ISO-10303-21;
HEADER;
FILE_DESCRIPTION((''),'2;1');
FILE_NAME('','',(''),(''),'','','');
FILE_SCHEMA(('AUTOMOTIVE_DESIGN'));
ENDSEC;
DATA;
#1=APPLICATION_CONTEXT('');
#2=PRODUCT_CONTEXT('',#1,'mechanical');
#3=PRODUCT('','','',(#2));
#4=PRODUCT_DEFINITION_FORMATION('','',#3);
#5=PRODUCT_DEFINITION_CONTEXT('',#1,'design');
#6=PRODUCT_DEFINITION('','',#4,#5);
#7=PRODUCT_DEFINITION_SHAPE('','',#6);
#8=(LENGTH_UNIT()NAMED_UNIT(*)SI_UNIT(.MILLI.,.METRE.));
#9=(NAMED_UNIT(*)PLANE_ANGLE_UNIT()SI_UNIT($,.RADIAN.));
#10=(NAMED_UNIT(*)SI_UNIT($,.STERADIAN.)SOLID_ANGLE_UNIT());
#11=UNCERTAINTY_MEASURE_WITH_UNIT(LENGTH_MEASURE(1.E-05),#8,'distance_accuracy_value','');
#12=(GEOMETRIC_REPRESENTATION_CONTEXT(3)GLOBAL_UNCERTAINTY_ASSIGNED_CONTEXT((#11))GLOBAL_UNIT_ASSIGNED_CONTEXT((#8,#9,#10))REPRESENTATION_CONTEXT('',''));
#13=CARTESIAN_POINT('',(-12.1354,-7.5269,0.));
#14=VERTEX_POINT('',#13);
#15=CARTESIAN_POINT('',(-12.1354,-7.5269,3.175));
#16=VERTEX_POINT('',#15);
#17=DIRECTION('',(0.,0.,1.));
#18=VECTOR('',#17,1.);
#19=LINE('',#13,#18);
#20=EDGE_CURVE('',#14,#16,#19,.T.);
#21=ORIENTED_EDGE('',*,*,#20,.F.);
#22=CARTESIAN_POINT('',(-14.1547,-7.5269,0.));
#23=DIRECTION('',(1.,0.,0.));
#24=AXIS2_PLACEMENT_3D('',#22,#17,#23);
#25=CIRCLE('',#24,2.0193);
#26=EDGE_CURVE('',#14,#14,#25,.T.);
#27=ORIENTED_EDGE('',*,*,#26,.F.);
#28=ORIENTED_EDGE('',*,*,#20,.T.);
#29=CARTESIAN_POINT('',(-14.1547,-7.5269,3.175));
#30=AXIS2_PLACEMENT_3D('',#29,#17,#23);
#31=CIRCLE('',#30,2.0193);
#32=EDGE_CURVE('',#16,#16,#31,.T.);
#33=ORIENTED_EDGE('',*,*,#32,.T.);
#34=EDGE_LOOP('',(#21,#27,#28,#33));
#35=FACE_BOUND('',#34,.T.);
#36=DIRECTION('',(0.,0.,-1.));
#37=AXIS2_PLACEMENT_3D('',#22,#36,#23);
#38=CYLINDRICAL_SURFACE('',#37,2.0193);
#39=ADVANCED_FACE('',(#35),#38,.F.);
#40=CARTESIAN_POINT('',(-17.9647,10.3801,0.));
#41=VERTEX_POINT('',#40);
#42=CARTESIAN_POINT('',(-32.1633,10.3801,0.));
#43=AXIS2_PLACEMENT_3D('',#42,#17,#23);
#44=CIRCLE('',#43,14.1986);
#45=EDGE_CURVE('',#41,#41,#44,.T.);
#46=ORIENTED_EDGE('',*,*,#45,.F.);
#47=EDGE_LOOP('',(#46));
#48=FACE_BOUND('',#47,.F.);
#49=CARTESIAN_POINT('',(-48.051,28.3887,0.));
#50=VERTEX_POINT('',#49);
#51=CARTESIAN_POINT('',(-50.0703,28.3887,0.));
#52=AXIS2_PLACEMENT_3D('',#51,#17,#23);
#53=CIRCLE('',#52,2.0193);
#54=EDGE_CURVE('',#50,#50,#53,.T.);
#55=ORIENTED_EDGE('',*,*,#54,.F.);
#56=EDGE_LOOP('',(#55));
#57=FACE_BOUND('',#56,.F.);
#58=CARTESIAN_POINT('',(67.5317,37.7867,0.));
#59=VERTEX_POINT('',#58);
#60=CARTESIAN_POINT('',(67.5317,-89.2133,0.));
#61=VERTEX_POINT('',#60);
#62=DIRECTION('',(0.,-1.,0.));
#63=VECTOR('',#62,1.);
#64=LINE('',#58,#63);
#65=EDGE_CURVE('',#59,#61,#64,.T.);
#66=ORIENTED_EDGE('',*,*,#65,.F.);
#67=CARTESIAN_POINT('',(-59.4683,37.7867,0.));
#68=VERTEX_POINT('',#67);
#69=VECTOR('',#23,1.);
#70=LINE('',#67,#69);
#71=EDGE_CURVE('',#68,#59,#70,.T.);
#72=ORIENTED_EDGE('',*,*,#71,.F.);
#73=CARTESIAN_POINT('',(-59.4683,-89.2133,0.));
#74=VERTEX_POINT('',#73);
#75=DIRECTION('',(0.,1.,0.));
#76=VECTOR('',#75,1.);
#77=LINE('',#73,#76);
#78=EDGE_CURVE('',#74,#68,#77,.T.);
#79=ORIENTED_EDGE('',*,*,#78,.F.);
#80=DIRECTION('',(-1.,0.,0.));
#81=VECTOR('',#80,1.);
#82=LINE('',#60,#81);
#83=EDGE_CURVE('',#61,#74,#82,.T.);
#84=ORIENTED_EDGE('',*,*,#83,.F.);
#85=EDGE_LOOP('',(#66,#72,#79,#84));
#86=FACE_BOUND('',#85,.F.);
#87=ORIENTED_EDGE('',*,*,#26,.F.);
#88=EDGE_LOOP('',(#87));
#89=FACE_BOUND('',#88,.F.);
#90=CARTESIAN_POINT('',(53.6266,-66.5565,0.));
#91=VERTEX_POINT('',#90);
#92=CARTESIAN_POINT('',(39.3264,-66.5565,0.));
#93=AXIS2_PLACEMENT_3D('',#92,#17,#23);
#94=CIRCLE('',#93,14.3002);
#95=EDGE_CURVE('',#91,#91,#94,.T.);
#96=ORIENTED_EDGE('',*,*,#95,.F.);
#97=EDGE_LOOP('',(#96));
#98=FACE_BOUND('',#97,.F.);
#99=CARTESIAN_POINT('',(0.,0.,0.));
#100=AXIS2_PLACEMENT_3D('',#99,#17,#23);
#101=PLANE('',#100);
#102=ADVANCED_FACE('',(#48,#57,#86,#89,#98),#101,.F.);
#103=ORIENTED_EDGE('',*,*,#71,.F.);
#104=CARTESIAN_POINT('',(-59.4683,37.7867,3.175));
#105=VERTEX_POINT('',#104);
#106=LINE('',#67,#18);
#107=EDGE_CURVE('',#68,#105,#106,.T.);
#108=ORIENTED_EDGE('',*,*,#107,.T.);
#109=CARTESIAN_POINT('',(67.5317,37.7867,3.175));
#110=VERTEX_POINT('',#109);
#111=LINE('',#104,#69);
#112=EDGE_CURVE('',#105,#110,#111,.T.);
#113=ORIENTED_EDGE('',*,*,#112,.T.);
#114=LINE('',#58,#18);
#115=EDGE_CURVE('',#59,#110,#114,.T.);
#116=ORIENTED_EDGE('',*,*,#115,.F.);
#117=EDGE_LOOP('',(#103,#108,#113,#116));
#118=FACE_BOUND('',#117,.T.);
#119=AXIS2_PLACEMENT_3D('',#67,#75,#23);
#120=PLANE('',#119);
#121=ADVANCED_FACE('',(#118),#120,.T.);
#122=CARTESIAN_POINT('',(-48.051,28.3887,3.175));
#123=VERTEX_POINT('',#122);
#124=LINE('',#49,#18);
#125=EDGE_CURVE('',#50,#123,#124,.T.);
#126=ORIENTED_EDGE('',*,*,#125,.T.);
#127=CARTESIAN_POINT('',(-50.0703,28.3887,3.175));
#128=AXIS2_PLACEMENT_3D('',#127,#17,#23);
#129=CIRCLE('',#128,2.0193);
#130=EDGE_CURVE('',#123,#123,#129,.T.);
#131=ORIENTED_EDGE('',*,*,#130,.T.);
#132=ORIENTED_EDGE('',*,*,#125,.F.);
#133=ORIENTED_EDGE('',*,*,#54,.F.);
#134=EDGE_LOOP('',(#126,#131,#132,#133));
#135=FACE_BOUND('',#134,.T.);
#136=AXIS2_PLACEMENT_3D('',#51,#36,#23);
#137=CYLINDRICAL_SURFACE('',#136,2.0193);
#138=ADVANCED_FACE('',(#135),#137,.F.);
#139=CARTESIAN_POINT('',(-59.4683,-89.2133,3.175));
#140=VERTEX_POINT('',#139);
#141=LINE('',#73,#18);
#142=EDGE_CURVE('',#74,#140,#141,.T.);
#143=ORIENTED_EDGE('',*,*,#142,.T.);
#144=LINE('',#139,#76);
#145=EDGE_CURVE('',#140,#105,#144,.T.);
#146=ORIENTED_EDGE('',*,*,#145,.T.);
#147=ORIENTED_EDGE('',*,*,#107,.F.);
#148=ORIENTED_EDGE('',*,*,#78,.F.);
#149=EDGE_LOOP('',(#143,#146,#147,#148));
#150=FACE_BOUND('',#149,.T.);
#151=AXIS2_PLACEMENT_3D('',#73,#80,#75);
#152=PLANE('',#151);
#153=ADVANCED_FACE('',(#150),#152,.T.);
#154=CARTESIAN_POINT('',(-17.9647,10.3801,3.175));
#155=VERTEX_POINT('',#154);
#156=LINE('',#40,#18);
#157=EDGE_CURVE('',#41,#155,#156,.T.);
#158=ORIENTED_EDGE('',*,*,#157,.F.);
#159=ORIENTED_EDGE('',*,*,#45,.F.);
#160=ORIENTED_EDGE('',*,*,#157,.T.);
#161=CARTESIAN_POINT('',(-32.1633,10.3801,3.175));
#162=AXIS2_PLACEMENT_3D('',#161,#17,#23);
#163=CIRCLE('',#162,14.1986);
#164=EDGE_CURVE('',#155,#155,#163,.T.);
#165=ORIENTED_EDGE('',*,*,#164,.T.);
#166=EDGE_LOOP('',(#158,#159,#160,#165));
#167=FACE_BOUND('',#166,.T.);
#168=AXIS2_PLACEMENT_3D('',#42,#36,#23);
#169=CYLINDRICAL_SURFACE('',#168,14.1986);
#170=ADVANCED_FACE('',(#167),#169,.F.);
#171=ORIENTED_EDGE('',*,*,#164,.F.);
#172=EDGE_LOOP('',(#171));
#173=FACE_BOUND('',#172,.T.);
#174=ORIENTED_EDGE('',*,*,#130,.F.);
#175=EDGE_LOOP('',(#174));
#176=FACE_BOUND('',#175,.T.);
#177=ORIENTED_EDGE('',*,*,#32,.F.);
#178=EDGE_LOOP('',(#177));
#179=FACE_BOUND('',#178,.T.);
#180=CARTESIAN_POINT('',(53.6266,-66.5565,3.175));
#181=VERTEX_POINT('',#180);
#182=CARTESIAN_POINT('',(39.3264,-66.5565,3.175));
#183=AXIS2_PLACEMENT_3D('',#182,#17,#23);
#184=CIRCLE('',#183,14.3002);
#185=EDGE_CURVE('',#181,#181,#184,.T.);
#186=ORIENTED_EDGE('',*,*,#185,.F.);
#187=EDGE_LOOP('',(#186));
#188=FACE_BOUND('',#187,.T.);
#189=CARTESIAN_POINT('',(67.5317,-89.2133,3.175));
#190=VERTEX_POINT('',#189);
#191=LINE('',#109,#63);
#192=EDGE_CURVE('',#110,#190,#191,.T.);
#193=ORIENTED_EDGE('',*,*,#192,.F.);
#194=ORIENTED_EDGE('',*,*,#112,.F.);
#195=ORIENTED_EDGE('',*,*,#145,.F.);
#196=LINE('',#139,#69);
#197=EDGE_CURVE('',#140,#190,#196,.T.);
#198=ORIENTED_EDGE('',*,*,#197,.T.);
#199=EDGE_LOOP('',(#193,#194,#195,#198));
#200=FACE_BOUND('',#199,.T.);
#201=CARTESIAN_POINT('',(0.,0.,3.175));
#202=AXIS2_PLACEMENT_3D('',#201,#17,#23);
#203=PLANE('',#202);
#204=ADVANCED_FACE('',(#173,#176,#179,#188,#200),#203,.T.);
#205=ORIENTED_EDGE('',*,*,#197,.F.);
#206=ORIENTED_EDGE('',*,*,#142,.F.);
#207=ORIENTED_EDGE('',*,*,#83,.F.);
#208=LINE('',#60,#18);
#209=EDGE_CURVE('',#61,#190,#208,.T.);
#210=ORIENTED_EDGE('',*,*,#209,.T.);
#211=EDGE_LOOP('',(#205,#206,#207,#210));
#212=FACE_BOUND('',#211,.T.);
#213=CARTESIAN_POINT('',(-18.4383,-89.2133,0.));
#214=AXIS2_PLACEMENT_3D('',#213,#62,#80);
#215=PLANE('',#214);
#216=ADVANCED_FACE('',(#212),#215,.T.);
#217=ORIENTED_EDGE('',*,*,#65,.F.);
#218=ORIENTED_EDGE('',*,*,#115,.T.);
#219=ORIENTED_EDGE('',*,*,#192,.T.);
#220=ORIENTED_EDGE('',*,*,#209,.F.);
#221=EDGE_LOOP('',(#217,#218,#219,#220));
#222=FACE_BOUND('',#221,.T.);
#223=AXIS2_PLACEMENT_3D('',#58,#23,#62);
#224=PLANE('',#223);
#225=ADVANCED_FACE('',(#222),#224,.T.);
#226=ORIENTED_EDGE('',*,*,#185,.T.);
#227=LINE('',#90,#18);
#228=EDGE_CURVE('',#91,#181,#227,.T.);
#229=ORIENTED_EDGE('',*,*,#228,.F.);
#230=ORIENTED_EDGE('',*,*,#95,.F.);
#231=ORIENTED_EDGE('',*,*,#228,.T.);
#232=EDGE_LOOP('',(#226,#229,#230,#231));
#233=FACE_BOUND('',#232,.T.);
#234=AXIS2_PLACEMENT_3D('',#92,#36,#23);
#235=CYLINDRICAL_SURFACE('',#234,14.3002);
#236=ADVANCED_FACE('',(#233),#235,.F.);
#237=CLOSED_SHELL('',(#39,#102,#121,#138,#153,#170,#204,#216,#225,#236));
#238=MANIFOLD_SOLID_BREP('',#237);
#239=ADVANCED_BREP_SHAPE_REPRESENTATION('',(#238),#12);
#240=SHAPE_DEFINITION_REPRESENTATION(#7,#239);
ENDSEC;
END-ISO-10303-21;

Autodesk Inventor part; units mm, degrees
ref_plane "YZ Plane" through (0, 0, 0) normal (1, 0, 0) x (0, 1, 0)
ref_plane "XZ Plane" through (0, 0, 0) normal (0, 1, 0) x (-1, 0, 0)
ref_plane "XY Plane" through (0, 0, 0) normal (0, 0, 1) x (1, 0, 0)
sketch "Sketch1" plane through (0, 0, 0) normal (0, 0, 1) x (1, 0, 0)
  line L0 (-59.4683, 37.7867) -> (67.5317, 37.7867)
  line L1 (67.5317, 37.7867) -> (67.5317, -89.2133)
  line L2 (67.5317, -89.2133) -> (-59.4683, -89.2133)
  line L3 (-59.4683, -89.2133) -> (-59.4683, 37.7867)
  line L4 (-59.4683, -89.2133) -> (-18.4383, -89.2133)
  line L5 (-60.4499, -32.9669) -> (-59.4683, -89.2133)
  line L6 (-53.1183, 31.4367) -> (-11.1067, 31.4367)
  line L7 (-11.1067, 31.4367) -> (-11.1067, -10.5749)
  line L8 (-11.1067, -10.5749) -> (-53.1183, -10.5749)
  line L9 (-53.1183, -10.5749) -> (-53.1183, 31.4367)
  circle A0 centre (39.3264, -66.5565) radius 14.3002
  circle A1 centre (-32.1633, 10.3801) radius 14.1986
  circle A2 centre (-14.1547, -7.5269) radius 2.0193
  circle A3 centre (-50.0703, 28.3887) radius 2.0193
  point P0 (0, 0)
  dimension "d0" = 127
  dimension "d1" = 127
  dimension "d8" = 42.0116
  dimension "d9" = 42.0116
  dimension "d10" = 3.048
  dimension "d13" = 3.048
  dimension "d14" = 6.35
  dimension "d15" = 6.35
  dimension "d16" = 3.048
  dimension "d17" = 3.048
  dimension "d18" = 20.955
  dimension "d19" = 20.955
  dimension "d21" = 28.6004
  dimension "d23" = 105.0239
  dimension "d26" = 28.3972
  dimension "d27" = 4.0386
  dimension "d28" = 4.0386
extrude "Extrusion1" add sketch "Sketch1" along normal blind 3.175 contours L0 L1 L2 L3 | L6 L7 L8 L9
properties part number "GearboxPlate1"
